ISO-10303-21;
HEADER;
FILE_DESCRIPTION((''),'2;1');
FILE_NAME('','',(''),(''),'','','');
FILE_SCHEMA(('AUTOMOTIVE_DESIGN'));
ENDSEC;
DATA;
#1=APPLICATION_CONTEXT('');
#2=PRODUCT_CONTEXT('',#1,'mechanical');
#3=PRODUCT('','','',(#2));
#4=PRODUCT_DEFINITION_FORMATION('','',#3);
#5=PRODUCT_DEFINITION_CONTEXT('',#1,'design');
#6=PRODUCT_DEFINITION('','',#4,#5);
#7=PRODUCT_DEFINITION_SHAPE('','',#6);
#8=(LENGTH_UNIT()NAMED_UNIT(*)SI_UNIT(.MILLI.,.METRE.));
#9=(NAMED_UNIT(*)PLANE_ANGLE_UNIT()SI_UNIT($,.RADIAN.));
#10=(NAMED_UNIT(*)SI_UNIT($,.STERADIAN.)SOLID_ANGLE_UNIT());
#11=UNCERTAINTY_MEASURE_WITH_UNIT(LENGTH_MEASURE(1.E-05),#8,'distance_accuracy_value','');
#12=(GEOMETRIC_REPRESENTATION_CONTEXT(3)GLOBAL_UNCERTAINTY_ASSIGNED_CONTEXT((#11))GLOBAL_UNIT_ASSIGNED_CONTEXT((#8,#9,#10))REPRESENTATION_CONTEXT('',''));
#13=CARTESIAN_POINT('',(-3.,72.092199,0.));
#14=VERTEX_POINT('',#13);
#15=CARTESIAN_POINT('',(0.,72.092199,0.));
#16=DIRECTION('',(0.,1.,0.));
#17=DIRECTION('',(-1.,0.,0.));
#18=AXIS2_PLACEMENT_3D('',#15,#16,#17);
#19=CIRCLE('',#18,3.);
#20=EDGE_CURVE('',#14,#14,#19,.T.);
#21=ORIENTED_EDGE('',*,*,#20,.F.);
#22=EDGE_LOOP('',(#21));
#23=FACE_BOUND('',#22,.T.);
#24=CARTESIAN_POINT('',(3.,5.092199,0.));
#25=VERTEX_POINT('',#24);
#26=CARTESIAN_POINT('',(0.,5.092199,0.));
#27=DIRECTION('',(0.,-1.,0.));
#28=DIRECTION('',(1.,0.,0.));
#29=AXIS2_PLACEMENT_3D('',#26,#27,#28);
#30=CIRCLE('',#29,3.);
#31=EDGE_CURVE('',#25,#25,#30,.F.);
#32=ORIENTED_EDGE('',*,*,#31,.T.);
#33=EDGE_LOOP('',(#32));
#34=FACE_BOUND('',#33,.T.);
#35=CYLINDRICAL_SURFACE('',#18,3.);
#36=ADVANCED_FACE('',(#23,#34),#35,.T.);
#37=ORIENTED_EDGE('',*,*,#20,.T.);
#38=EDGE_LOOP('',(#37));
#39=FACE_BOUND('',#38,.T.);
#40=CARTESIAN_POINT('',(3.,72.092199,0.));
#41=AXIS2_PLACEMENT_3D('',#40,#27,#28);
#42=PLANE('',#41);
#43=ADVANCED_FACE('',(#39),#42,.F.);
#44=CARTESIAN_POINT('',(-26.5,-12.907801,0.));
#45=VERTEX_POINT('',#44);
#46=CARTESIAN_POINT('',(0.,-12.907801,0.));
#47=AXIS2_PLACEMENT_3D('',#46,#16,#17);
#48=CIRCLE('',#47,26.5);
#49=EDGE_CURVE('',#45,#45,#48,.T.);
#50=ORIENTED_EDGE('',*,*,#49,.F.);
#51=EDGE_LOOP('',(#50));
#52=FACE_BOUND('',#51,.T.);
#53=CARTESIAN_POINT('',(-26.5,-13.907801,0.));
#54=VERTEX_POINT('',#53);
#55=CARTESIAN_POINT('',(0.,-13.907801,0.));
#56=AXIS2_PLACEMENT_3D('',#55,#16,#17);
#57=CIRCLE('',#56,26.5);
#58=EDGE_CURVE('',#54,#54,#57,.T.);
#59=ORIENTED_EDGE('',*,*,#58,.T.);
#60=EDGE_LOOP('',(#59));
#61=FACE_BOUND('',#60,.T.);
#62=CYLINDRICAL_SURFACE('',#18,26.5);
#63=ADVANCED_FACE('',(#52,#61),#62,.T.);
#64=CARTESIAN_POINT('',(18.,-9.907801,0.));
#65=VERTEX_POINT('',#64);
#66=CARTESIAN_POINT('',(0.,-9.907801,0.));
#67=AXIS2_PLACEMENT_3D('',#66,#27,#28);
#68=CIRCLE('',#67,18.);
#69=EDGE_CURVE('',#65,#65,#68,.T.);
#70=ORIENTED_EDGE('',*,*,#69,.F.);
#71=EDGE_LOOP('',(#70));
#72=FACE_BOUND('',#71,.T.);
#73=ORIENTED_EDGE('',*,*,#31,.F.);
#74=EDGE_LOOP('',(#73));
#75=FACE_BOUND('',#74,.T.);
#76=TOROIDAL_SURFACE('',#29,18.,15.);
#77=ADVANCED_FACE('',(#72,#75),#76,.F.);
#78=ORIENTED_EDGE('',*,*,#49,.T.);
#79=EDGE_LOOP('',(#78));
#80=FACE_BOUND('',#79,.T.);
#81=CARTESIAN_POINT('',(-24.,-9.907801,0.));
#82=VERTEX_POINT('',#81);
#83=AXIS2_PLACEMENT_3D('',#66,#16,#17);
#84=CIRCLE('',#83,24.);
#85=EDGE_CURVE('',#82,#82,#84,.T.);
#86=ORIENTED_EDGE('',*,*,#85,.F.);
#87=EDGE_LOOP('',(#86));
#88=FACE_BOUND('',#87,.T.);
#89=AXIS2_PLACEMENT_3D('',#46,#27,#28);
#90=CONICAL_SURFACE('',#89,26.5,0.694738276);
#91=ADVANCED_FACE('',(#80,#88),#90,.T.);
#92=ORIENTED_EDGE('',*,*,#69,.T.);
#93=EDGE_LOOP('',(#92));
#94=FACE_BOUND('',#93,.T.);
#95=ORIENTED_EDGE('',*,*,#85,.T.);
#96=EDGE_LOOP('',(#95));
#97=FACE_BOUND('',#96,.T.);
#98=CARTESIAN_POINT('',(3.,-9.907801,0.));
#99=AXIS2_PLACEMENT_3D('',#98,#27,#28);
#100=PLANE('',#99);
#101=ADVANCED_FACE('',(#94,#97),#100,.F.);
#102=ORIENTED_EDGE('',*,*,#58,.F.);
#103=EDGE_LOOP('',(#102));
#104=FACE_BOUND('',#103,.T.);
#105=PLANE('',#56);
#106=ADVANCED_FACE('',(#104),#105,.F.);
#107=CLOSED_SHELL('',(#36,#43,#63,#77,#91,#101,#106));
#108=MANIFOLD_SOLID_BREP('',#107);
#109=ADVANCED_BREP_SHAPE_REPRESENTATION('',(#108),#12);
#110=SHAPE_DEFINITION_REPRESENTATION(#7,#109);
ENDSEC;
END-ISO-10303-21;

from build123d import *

# Parameters (mm, degrees)
FILLET1_R = 15


with BuildPart() as part:
    # Sketch1 → Revolve1 (revolve)
    with BuildSketch(Plane.XY):
        Polygon((0, 72.092198582), (0, -13.907801418), (26.5, -13.907801418), (26.5, -12.907801418), (24, -9.907801418), (18, -9.907801418), (3, -9.907801418), (3, 5.092198582), (3, 72.092198582), align=None)
    revolve(axis=Axis((0, 72.092198582, 0), (0, -1, 0)))

    # Fillet1
    fillet1_edges = [part.edges().sort_by_distance(p)[0] for p in [
        (-3, -9.907801418, 0),
    ]]
    fillet(fillet1_edges, radius=FILLET1_R)


solid = part.part
